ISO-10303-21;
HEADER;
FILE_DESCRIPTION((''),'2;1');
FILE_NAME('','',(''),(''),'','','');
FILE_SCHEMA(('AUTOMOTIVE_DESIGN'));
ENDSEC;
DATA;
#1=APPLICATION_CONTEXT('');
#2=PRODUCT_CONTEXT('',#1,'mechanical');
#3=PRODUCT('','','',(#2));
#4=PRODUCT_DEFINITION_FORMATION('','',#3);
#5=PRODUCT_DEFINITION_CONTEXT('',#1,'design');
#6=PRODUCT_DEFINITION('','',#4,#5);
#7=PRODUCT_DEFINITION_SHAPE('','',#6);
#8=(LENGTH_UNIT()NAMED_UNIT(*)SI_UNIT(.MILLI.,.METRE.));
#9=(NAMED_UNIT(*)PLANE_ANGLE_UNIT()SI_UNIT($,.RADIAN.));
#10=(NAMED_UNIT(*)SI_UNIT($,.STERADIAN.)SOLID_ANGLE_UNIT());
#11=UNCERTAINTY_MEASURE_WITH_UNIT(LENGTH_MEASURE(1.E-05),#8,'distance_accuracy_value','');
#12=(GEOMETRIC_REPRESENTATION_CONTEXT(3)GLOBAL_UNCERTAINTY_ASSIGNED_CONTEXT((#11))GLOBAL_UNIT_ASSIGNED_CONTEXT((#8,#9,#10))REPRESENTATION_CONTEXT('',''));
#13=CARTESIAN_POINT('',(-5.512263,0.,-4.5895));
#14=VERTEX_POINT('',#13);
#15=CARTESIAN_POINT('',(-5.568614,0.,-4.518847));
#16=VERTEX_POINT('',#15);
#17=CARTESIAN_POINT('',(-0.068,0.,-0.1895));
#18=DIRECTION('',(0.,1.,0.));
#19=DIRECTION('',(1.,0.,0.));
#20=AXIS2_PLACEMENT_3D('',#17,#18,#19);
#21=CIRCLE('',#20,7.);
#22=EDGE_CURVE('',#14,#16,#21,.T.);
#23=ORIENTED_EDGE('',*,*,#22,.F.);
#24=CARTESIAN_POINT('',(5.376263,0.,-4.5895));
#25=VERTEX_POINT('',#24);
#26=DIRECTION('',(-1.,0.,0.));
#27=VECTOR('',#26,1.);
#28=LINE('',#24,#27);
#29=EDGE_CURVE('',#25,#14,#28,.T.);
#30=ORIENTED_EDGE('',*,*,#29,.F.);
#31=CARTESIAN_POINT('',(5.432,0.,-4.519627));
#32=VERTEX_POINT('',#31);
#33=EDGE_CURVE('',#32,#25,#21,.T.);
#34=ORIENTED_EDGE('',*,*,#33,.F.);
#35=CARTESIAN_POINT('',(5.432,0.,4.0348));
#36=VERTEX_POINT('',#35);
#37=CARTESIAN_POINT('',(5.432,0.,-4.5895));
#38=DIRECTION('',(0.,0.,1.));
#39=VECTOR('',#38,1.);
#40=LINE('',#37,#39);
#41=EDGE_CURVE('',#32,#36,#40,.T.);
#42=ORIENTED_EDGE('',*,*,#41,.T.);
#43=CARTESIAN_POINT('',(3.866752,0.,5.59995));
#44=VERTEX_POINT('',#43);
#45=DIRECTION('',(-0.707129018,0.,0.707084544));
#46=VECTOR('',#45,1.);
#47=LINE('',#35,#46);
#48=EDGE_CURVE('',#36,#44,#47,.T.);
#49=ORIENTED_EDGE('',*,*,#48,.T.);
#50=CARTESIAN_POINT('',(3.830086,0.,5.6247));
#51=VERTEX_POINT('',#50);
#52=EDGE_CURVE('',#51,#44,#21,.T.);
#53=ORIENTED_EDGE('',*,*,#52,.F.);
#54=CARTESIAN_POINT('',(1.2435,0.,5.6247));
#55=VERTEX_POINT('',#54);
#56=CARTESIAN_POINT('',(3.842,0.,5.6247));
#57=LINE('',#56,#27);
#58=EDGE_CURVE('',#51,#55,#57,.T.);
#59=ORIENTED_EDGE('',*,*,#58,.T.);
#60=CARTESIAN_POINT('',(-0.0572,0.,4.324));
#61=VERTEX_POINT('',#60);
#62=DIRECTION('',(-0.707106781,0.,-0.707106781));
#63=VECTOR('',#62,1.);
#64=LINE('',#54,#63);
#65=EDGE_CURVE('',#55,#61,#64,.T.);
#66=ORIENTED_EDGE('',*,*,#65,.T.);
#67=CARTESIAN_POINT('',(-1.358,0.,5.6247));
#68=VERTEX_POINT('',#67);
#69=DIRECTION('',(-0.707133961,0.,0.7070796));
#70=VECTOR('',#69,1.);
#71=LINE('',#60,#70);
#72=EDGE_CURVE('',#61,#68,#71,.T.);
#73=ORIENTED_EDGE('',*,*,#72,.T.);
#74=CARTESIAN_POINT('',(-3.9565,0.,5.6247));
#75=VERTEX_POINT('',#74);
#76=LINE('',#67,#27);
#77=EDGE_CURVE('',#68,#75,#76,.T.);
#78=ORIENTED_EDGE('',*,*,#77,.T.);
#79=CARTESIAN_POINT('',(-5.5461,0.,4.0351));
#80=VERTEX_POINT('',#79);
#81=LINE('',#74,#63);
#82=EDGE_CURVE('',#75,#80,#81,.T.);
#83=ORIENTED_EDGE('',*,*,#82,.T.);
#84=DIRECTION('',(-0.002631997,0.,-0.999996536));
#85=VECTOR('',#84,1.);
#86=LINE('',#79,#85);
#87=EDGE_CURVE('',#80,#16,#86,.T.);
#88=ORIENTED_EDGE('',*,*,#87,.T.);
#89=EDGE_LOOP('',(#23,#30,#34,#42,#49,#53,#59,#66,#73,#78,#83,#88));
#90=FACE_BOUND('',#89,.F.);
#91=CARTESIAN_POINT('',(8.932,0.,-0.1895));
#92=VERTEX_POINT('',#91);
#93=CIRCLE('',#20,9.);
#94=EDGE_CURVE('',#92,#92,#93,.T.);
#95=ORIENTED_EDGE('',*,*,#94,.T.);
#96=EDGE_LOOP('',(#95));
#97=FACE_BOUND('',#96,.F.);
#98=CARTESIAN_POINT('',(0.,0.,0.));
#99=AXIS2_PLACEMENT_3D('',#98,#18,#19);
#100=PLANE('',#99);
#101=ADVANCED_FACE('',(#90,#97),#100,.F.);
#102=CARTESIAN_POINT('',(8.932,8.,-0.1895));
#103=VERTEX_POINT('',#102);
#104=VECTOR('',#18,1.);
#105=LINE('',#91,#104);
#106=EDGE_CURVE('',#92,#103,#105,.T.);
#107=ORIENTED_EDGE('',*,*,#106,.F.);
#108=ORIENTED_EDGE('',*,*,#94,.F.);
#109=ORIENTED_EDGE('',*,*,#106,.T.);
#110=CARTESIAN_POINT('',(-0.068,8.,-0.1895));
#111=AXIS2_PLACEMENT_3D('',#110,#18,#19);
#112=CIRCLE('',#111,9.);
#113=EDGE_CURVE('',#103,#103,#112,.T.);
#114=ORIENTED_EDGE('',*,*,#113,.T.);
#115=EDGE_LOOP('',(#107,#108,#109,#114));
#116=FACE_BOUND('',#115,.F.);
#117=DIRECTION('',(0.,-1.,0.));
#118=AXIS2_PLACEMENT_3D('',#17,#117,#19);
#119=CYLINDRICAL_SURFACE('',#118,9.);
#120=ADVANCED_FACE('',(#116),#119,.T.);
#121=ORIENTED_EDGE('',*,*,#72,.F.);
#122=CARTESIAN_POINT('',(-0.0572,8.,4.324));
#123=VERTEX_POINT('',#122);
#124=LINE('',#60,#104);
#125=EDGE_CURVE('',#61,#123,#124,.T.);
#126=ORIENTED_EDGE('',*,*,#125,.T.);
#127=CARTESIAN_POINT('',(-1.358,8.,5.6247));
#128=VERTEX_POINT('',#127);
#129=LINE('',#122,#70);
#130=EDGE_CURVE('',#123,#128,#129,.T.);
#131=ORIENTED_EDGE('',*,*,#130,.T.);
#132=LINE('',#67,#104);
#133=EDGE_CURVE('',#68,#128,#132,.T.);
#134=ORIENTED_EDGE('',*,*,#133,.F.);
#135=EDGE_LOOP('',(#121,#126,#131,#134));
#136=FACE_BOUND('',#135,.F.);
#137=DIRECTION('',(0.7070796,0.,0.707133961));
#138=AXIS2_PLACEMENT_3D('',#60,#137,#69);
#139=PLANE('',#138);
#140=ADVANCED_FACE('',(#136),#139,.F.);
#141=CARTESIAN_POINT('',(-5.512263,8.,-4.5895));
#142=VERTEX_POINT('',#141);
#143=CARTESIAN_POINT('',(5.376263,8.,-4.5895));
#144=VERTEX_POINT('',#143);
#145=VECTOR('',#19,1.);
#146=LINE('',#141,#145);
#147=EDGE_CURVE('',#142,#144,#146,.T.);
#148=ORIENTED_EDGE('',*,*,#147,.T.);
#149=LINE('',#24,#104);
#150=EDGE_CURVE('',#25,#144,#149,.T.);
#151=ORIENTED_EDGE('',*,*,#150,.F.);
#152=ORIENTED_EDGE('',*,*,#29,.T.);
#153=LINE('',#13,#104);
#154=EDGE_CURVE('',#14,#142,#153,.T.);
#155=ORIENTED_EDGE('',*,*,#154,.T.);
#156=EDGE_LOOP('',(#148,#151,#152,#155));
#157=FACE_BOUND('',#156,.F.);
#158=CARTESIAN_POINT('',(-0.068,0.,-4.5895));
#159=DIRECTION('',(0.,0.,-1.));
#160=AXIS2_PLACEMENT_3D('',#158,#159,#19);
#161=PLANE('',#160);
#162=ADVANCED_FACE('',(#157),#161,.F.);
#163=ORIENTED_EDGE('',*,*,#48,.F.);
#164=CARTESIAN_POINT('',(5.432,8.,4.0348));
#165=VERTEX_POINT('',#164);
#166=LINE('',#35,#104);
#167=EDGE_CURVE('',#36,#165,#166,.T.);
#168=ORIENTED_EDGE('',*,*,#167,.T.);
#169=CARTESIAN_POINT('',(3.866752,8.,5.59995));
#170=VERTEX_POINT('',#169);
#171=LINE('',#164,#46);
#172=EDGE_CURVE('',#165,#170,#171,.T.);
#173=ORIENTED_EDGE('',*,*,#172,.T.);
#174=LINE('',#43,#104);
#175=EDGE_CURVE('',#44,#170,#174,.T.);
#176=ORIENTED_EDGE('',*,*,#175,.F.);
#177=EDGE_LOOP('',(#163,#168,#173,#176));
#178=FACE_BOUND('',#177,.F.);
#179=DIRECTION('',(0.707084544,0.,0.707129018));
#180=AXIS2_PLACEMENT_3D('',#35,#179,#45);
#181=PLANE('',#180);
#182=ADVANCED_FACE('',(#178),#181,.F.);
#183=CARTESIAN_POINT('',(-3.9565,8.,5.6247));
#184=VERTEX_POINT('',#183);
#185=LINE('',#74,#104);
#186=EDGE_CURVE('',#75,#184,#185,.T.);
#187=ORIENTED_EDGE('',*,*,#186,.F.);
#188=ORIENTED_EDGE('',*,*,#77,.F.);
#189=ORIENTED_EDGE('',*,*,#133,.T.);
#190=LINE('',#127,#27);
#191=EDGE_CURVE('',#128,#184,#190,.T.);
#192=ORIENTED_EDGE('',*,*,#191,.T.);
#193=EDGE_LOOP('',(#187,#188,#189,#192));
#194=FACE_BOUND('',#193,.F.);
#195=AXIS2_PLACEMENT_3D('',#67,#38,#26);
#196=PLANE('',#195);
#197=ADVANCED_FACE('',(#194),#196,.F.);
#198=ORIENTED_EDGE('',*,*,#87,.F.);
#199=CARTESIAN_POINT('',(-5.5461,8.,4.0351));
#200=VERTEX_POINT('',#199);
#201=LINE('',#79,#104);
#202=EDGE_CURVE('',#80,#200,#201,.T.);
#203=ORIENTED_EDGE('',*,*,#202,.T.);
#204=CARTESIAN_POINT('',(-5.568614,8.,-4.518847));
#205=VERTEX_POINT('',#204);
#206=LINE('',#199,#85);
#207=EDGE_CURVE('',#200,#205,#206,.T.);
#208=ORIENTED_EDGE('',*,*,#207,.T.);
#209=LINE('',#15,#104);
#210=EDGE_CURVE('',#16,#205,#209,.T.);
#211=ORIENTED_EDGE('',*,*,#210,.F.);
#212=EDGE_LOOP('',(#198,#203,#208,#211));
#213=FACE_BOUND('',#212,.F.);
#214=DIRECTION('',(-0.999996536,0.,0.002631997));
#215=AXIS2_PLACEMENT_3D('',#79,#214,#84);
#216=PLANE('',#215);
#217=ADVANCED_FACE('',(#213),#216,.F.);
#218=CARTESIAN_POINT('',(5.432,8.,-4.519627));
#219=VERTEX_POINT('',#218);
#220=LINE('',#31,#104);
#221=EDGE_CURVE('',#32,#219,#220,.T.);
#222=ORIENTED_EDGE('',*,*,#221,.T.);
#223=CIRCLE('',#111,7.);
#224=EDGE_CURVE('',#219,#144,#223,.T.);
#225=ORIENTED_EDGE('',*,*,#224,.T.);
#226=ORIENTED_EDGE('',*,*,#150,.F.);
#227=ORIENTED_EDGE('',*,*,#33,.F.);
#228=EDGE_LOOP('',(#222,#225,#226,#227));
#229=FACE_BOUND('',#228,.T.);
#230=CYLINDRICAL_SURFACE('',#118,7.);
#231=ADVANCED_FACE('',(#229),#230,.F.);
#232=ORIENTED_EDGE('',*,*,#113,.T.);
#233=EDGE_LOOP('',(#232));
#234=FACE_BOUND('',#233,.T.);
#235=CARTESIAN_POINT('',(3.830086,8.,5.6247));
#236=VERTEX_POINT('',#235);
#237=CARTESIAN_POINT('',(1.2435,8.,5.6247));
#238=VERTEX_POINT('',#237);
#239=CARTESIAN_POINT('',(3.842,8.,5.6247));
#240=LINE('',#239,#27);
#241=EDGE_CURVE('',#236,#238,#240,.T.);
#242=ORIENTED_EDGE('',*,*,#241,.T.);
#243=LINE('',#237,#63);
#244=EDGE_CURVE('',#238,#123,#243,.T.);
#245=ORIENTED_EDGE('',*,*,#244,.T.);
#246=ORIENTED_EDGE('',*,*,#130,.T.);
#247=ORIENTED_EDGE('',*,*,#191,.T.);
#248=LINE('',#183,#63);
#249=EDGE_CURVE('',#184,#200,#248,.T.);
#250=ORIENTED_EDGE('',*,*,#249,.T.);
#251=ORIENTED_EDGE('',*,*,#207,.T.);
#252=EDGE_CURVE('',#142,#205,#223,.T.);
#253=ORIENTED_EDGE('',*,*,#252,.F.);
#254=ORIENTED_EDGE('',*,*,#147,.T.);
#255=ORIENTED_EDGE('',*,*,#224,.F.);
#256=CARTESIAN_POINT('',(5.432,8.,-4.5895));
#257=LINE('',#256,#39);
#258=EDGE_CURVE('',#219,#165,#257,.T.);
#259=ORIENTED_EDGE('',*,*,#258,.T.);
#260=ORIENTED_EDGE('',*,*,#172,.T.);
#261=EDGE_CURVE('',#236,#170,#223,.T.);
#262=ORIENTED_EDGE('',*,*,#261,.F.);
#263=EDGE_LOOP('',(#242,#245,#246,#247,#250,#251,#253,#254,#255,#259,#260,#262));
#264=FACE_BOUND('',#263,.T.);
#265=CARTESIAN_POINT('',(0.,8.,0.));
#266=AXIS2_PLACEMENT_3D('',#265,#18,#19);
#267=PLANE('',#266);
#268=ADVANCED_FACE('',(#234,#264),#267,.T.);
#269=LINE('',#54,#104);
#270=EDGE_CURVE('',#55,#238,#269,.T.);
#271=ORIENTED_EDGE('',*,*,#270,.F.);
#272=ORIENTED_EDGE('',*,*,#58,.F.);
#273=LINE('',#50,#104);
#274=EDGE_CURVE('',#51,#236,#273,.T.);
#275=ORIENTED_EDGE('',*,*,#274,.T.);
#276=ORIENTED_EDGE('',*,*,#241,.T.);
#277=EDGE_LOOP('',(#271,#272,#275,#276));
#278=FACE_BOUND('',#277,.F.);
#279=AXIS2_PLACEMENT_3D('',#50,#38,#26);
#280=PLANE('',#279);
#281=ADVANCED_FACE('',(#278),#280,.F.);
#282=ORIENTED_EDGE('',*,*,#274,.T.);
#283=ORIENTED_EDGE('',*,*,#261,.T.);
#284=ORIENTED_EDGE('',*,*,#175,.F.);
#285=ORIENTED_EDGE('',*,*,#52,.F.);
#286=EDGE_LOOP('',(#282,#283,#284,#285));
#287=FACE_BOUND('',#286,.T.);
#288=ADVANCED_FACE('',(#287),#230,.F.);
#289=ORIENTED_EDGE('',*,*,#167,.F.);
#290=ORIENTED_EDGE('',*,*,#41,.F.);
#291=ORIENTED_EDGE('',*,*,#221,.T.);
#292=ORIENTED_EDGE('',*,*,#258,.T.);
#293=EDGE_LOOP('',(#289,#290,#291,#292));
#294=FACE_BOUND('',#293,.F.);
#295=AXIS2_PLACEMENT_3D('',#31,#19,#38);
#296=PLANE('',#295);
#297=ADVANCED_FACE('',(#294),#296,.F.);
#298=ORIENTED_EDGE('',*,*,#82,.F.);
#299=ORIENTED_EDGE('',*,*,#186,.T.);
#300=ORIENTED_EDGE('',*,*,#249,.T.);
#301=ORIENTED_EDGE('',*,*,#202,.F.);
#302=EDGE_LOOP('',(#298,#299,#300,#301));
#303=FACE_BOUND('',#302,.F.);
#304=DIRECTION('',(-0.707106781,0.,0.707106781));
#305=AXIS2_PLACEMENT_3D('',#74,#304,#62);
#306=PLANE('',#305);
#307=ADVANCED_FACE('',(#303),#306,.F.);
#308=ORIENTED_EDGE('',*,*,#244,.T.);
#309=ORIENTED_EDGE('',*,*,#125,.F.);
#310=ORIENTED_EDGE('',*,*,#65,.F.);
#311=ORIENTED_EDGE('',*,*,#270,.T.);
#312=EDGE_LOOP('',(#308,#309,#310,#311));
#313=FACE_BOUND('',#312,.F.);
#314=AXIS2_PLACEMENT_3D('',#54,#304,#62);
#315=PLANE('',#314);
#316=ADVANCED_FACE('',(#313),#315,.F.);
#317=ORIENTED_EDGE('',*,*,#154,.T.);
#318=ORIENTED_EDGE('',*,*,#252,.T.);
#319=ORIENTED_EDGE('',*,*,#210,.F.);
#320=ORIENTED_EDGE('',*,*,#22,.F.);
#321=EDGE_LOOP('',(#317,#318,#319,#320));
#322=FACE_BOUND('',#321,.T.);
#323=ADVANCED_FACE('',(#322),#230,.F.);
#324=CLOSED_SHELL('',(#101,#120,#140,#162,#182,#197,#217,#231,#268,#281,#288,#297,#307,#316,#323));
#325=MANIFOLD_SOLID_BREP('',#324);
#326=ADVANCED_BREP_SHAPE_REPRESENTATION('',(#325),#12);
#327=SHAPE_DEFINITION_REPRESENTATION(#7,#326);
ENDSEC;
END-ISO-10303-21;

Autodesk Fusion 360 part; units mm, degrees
sketch "Sketch1" plane through (0, 0, 0) normal (0, 1, 0) x (1, 0, 0)
  circle A0 centre (0, 0) radius 6.5
  line L0 (10.0631, -5.0894) -> (15.2631, -5.0894)
  line L1 (15.2631, -5.0894) -> (15.2631, 5.1106)
  line L2 (15.2631, 5.1106) -> (10.0631, 5.1106)
  line L3 (10.0631, 5.1106) -> (10.0631, -5.0894)
  dimension "d1" = 13
  dimension "d2" = 5.2
  dimension "d3" = 10.2
sketch "Sketch2" plane through (0, 0, 0) normal (0, 1, 0) x (1, 0, 0)
sketch "Sketch3" plane through (0, 0, 0) normal (0, 1, 0) x (1, 0, 0)
  line L0 (-5.268, 4.2895) -> (-0.068, 4.2895)
  line L1 (-0.068, 4.2895) -> (-0.068, -3.9105)
  line L2 (-0.068, -3.9105) -> (-1.4822, -5.3247)
  line L3 (-0.068, -3.9105) -> (1.932, -3.9105) construction
  line L4 (-1.4822, -5.3247) -> (-3.8322, -5.3247)
  line L5 (-3.8322, -5.3247) -> (-5.2464, -3.9105)
  line L6 (-3.8322, -5.3247) -> (-1.9822, -5.3247) construction
  line L7 (-5.2464, -3.9105) -> (-5.268, 4.2895)
  line L8 (1.3678, -5.3247) -> (-0.0464, -3.9105)
  line L9 (5.132, 4.2895) -> (5.132, -3.9105)
  line L10 (-0.0464, -3.9105) -> (-0.068, 4.2895)
  line L11 (-0.068, 4.2895) -> (5.132, 4.2895)
  line L12 (5.132, -3.9105) -> (3.7178, -5.3247)
  line L13 (3.7178, -5.3247) -> (1.3678, -5.3247)
  line L14 (1.3678, -5.3247) -> (3.2178, -5.3247) construction
  line L15 (-5.2464, -3.9105) -> (5.132, 4.2895)
  line L16 (-5.268, 4.2895) -> (5.132, -3.9105)
  circle A0 centre (-0.068, 0.1895) radius 7
  line L17 (-5.268, 4.2895) -> (5.132, 4.2895)
  line L18 (-0.0464, -3.9105) -> (-0.068, -3.9105)
  circle A1 centre (-0.068, 0.1895) radius 9
  line L19 (-0.0572, -4.324) -> (-1.358, -5.6247)
  line L20 (-1.358, -5.6247) -> (-3.9565, -5.6247)
  line L21 (-3.9565, -5.6247) -> (-5.5461, -4.0351)
  line L22 (-5.5461, -4.0351) -> (-5.5688, 4.5895)
  line L23 (-5.5688, 4.5895) -> (-0.068, 4.5895)
  line L24 (-0.068, 4.5895) -> (5.432, 4.5895)
  line L25 (5.432, 4.5895) -> (5.432, -4.0348)
  line L26 (5.432, -4.0348) -> (3.842, -5.6247)
  line L27 (3.842, -5.6247) -> (1.2435, -5.6247)
  line L28 (1.2435, -5.6247) -> (-0.0572, -4.324)
  dimension "d4" = 5.2
  dimension "d5" = 8.2
  dimension "d6" = 135
  dimension "d7" = 2
  dimension "d8" = 2.35
  dimension "d9" = 135
  dimension "d10" = 2
  dimension "d11" = 5.2
  dimension "d12" = 8.2
  dimension "d13" = 2
  dimension "d14" = 2.35
  dimension "d15" = 135
  dimension "d16" = 2
  dimension "d17" = 14
  dimension "d20" = 18
  dimension "d27" = -0.3
extrude "Extrude2" add sketch "Sketch3" along normal blind 8 contours A0 L25 L26 | A0 L24 L25 | A0 L26 L27 | A0 L23 L24 | A0 L19 L20 L21 L22 L27 L28 | A0 L22 L23 | A1
